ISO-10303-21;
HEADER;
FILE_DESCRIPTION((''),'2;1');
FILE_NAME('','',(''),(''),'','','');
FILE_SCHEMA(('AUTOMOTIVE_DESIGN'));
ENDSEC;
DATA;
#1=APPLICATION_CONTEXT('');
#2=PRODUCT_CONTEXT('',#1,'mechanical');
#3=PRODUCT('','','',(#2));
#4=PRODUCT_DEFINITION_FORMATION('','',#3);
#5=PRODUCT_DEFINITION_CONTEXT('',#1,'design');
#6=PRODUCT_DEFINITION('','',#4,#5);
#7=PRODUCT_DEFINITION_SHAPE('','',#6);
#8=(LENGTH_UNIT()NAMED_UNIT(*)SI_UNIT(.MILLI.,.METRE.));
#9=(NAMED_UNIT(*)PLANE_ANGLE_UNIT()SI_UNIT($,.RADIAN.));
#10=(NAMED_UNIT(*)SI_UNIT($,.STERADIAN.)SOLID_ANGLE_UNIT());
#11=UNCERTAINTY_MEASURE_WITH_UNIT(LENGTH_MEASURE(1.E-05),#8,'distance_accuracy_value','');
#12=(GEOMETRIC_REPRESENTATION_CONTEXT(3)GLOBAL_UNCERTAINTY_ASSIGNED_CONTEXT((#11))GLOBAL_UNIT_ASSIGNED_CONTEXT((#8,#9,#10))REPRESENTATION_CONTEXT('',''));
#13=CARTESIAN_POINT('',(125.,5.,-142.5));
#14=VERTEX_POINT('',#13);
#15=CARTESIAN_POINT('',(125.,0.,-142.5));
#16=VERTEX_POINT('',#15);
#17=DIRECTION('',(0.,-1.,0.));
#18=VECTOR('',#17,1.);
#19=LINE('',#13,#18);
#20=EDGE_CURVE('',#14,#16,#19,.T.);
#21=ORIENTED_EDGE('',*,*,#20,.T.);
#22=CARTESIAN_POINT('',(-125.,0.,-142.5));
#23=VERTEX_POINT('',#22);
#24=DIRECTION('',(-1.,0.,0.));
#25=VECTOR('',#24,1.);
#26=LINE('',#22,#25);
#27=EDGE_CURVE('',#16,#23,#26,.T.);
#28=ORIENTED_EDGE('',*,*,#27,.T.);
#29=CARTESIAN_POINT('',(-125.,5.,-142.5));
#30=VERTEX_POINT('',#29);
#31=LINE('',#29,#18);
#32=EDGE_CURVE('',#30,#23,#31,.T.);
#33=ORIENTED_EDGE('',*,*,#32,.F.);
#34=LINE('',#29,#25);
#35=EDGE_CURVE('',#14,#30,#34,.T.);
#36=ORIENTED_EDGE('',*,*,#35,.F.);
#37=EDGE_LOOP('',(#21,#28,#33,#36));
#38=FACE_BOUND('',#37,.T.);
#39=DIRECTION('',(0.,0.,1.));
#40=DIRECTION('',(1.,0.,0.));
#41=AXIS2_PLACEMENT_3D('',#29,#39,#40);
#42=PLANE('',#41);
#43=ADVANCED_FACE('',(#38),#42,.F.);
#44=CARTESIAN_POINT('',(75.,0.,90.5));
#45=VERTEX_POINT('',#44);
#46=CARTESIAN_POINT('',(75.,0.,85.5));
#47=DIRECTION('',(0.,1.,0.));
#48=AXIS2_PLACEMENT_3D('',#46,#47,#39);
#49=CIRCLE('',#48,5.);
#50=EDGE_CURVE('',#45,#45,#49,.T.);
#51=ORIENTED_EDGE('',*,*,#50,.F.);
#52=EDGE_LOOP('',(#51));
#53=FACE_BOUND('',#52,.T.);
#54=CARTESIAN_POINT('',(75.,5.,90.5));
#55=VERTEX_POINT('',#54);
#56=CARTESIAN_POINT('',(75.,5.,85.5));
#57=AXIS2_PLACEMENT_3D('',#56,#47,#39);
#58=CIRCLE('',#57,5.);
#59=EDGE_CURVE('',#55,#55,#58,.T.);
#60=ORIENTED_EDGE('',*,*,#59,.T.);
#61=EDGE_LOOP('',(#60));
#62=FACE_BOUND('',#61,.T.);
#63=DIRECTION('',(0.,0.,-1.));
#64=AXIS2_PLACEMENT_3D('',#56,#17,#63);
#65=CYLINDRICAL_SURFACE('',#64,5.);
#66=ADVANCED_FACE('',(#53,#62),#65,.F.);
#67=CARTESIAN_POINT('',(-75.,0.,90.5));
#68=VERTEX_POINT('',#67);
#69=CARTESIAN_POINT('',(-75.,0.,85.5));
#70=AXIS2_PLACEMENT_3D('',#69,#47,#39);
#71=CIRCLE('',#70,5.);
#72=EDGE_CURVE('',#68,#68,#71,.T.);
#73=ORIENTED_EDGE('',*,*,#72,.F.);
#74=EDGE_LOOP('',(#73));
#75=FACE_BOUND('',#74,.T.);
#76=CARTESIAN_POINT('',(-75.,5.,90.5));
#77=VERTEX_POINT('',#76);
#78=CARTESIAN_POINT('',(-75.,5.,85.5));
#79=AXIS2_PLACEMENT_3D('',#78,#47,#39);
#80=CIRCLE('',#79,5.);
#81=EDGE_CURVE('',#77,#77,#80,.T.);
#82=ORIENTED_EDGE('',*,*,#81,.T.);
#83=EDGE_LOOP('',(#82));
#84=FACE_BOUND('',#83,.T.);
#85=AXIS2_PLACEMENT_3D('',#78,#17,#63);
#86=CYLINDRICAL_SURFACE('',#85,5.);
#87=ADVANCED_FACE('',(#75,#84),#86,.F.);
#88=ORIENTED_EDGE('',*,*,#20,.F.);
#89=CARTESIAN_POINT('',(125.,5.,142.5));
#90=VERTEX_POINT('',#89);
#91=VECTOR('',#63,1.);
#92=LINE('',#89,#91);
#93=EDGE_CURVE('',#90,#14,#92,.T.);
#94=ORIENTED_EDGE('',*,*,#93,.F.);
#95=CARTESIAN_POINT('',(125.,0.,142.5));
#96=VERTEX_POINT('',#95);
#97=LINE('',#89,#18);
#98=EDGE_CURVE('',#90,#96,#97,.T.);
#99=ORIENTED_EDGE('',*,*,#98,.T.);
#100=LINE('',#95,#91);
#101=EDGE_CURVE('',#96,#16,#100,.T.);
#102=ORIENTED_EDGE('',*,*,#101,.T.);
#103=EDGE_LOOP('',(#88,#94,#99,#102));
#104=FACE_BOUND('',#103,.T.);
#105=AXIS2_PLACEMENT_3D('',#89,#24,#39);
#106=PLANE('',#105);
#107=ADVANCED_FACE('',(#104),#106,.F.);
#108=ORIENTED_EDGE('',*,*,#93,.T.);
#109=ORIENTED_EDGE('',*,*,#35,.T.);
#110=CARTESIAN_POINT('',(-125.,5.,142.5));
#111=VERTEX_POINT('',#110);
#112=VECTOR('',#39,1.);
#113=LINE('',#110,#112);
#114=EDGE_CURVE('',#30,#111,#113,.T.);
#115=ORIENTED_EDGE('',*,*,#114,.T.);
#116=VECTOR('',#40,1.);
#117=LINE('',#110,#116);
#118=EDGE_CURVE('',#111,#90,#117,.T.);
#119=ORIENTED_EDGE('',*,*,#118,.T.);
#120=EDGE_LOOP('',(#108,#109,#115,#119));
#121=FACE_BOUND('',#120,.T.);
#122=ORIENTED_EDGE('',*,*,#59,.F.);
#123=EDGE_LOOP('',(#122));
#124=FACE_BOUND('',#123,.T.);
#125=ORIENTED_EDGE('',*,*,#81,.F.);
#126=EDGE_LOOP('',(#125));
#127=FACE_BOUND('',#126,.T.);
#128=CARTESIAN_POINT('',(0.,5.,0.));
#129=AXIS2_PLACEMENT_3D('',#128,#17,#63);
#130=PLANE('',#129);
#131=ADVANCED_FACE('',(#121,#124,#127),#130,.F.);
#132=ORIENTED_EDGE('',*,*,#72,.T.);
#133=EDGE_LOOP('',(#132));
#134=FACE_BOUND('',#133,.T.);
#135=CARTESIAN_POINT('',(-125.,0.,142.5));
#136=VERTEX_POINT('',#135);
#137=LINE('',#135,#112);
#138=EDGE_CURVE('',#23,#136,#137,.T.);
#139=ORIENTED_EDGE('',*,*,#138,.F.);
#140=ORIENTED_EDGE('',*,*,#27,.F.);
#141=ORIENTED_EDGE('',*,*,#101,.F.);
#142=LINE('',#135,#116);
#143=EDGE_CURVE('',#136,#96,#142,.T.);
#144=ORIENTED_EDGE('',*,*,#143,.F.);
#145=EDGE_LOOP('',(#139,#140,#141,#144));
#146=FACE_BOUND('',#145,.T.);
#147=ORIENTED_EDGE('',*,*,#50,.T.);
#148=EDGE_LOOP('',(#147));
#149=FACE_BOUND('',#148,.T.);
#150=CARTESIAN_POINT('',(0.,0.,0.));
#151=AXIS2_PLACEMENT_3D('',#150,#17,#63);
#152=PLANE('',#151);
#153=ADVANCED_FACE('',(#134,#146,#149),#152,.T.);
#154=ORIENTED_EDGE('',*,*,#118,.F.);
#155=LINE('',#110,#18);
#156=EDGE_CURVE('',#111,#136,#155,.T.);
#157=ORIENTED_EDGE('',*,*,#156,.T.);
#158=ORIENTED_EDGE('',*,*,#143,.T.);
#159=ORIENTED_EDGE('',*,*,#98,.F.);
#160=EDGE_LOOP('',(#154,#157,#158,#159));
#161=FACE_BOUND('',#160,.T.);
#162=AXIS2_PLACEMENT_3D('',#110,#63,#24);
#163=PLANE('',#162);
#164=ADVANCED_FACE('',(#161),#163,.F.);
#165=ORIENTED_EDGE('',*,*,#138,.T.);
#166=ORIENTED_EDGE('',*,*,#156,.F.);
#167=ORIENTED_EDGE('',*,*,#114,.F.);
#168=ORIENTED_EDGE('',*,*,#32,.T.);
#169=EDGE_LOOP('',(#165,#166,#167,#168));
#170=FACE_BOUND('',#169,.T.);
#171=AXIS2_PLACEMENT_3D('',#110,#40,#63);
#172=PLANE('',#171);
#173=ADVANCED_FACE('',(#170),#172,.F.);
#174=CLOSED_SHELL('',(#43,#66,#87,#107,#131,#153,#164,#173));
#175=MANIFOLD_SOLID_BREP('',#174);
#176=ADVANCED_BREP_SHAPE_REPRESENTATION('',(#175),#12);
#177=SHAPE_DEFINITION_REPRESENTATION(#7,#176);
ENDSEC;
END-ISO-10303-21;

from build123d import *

# Parameters (mm, degrees)
SKETCH_1_W      = 250
SKETCH_1_H      = 285
SKETCH_1_R      = 5
EXTRUDE_1_DEPTH = 5


with BuildPart() as part:
    # 草图1 → 凸台-拉伸1 (new body)
    with BuildSketch(Plane(origin=(0, 0, 0), x_dir=(1, 0, 0), z_dir=(0, 1, 0))):
        Rectangle(SKETCH_1_W, SKETCH_1_H)
        with Locations(Location((-75, -85.5, 0), (0, 0, 270))):
            Circle(SKETCH_1_R, mode=Mode.SUBTRACT)
        with Locations(Location((75, -85.5, 0), (0, 0, 270))):
            Circle(SKETCH_1_R, mode=Mode.SUBTRACT)
    extrude(amount=EXTRUDE_1_DEPTH)


solid = part.part
